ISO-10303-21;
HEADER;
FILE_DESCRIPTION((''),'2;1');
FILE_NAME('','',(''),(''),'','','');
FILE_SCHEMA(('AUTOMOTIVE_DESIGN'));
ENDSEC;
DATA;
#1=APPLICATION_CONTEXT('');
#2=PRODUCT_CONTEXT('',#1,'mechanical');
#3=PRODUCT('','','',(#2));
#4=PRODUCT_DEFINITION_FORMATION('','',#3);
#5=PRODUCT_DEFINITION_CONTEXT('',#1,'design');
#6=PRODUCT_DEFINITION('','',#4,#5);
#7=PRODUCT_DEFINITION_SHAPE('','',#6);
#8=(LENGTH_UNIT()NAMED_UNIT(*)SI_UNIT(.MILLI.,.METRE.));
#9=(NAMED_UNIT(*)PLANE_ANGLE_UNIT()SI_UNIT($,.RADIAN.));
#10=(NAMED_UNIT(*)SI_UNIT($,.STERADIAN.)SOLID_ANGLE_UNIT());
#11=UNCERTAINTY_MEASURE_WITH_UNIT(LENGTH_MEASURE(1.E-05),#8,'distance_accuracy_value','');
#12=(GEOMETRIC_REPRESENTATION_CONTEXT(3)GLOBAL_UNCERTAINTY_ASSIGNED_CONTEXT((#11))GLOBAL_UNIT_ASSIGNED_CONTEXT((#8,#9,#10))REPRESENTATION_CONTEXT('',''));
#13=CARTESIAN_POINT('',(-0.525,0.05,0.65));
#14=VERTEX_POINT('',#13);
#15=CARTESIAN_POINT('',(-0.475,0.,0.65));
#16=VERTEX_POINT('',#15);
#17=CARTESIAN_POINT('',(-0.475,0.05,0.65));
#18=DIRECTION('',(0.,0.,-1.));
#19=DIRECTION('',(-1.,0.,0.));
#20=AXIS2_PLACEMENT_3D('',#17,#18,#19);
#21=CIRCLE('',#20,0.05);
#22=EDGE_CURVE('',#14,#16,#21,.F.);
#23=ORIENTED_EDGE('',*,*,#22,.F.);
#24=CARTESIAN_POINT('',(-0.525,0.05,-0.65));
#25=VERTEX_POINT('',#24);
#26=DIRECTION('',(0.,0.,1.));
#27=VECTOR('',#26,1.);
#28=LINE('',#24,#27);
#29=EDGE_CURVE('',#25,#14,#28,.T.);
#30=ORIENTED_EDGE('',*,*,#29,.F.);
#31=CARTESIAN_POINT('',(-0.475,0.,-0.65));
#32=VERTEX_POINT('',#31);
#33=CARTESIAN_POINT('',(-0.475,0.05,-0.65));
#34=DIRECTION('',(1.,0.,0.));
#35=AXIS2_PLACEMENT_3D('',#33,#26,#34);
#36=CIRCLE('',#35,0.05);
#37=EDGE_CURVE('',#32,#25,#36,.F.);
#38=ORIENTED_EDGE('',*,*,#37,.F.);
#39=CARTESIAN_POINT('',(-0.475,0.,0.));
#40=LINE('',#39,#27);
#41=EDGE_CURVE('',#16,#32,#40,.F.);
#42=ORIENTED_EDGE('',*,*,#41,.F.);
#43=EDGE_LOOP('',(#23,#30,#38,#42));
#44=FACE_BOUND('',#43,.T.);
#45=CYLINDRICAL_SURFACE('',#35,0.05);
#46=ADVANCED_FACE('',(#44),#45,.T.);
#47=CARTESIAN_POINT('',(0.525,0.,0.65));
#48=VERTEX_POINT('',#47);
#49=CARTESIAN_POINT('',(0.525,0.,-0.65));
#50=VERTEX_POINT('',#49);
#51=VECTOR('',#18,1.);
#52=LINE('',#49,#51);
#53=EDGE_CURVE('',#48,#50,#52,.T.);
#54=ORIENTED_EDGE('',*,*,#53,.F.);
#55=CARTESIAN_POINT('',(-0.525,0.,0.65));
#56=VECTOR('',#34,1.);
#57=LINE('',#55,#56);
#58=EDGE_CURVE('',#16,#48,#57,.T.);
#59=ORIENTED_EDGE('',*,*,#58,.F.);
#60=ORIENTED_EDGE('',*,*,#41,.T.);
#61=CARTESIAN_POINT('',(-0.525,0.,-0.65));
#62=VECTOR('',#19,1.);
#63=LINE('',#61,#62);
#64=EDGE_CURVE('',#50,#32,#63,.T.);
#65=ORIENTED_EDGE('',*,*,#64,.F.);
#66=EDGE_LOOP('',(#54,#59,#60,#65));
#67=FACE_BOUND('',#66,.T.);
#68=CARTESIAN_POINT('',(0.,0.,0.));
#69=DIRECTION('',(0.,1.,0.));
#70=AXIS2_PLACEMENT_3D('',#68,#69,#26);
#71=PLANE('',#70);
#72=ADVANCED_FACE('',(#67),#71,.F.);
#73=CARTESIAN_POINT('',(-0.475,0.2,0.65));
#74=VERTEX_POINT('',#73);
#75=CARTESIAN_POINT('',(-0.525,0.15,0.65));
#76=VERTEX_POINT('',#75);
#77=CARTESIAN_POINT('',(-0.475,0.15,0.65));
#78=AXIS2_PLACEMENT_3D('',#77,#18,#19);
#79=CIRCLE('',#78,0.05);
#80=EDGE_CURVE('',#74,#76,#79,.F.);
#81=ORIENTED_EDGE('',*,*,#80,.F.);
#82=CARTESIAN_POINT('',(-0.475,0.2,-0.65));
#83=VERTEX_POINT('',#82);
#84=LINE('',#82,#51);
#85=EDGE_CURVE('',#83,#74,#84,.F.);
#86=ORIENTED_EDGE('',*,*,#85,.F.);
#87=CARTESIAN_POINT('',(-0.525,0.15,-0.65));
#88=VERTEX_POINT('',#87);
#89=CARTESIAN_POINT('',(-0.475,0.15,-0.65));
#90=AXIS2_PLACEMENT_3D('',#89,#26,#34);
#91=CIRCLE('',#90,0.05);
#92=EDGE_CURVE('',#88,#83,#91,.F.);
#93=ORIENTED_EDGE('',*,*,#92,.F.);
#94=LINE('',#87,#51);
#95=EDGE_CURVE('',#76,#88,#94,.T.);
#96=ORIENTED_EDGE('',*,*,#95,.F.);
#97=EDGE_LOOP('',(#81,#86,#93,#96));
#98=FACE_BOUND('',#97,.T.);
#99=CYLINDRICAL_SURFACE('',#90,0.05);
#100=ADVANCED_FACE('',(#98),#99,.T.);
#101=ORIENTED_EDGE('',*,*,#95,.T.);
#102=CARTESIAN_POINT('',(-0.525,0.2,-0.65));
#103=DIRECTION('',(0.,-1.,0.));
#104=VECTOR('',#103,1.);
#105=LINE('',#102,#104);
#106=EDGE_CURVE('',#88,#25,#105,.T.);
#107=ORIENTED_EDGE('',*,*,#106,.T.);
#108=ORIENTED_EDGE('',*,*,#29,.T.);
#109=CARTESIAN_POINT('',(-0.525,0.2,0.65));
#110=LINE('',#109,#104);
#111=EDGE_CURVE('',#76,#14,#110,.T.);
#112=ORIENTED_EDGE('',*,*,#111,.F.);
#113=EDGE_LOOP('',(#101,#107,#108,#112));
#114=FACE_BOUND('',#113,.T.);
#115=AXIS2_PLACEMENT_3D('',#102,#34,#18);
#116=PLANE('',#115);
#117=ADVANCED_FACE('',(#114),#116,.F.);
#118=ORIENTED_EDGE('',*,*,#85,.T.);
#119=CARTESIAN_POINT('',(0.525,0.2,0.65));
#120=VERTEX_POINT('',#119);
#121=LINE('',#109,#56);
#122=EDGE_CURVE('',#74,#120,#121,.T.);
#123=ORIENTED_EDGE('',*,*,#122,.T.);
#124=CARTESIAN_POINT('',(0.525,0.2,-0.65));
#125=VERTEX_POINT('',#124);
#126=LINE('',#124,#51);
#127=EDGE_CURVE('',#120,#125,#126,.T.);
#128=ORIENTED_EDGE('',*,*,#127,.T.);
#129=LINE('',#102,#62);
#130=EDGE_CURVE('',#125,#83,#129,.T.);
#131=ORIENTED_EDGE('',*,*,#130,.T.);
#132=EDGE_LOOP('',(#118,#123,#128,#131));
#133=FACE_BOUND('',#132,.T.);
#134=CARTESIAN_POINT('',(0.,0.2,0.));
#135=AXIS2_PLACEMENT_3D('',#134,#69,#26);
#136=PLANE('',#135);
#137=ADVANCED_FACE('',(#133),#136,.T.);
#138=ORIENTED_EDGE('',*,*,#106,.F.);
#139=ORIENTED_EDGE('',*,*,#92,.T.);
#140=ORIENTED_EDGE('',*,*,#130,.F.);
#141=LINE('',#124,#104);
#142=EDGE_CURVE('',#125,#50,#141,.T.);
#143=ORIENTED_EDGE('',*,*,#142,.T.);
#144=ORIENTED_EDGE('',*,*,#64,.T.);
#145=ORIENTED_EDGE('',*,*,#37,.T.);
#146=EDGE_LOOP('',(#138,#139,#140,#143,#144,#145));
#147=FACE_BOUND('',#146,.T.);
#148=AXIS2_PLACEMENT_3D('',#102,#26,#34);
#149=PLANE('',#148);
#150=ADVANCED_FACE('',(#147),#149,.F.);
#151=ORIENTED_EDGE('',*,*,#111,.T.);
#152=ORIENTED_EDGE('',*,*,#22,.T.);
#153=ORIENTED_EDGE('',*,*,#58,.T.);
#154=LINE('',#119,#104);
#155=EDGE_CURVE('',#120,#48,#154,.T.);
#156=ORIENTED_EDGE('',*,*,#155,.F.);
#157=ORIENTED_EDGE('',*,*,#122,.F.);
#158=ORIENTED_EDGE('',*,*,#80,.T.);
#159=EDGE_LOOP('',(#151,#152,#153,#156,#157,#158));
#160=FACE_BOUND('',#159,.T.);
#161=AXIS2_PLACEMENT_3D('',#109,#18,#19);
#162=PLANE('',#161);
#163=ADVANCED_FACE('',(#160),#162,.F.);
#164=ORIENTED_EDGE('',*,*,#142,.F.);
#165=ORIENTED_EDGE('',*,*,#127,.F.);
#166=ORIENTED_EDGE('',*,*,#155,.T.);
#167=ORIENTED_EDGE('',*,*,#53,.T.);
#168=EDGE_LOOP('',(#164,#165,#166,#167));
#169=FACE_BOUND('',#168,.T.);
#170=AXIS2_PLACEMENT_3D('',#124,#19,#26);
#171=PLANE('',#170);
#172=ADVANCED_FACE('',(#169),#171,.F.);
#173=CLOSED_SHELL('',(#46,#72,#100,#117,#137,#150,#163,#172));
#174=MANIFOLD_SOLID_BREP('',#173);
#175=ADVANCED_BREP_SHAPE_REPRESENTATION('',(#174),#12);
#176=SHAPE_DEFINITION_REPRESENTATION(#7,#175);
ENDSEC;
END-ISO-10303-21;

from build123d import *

# Parameters (mm, degrees)
SKETCH_1_W      = 1.05
SKETCH_1_H      = 1.3
EXTRUDE_1_DEPTH = 0.2
FILLET_5_R      = 0.05
FILLET_6_R      = 0.05


with BuildPart() as part:
    # 草图1 → 凸台-拉伸1 (new body)
    with BuildSketch(Plane(origin=(0, 0, 0), x_dir=(1, 0, 0), z_dir=(0, 1, 0))):
        Rectangle(SKETCH_1_W, SKETCH_1_H)
    extrude(amount=EXTRUDE_1_DEPTH)

    # 圆角5
    fillet_5_edges = [part.edges().sort_by_distance(p)[0] for p in [
        (-0.525, 0.2, 0),
    ]]
    fillet(fillet_5_edges, radius=FILLET_5_R)

    # 圆角6
    fillet_6_edges = [part.edges().sort_by_distance(p)[0] for p in [
        (-0.525, 0, 0),
    ]]
    fillet(fillet_6_edges, radius=FILLET_6_R)


solid = part.part
